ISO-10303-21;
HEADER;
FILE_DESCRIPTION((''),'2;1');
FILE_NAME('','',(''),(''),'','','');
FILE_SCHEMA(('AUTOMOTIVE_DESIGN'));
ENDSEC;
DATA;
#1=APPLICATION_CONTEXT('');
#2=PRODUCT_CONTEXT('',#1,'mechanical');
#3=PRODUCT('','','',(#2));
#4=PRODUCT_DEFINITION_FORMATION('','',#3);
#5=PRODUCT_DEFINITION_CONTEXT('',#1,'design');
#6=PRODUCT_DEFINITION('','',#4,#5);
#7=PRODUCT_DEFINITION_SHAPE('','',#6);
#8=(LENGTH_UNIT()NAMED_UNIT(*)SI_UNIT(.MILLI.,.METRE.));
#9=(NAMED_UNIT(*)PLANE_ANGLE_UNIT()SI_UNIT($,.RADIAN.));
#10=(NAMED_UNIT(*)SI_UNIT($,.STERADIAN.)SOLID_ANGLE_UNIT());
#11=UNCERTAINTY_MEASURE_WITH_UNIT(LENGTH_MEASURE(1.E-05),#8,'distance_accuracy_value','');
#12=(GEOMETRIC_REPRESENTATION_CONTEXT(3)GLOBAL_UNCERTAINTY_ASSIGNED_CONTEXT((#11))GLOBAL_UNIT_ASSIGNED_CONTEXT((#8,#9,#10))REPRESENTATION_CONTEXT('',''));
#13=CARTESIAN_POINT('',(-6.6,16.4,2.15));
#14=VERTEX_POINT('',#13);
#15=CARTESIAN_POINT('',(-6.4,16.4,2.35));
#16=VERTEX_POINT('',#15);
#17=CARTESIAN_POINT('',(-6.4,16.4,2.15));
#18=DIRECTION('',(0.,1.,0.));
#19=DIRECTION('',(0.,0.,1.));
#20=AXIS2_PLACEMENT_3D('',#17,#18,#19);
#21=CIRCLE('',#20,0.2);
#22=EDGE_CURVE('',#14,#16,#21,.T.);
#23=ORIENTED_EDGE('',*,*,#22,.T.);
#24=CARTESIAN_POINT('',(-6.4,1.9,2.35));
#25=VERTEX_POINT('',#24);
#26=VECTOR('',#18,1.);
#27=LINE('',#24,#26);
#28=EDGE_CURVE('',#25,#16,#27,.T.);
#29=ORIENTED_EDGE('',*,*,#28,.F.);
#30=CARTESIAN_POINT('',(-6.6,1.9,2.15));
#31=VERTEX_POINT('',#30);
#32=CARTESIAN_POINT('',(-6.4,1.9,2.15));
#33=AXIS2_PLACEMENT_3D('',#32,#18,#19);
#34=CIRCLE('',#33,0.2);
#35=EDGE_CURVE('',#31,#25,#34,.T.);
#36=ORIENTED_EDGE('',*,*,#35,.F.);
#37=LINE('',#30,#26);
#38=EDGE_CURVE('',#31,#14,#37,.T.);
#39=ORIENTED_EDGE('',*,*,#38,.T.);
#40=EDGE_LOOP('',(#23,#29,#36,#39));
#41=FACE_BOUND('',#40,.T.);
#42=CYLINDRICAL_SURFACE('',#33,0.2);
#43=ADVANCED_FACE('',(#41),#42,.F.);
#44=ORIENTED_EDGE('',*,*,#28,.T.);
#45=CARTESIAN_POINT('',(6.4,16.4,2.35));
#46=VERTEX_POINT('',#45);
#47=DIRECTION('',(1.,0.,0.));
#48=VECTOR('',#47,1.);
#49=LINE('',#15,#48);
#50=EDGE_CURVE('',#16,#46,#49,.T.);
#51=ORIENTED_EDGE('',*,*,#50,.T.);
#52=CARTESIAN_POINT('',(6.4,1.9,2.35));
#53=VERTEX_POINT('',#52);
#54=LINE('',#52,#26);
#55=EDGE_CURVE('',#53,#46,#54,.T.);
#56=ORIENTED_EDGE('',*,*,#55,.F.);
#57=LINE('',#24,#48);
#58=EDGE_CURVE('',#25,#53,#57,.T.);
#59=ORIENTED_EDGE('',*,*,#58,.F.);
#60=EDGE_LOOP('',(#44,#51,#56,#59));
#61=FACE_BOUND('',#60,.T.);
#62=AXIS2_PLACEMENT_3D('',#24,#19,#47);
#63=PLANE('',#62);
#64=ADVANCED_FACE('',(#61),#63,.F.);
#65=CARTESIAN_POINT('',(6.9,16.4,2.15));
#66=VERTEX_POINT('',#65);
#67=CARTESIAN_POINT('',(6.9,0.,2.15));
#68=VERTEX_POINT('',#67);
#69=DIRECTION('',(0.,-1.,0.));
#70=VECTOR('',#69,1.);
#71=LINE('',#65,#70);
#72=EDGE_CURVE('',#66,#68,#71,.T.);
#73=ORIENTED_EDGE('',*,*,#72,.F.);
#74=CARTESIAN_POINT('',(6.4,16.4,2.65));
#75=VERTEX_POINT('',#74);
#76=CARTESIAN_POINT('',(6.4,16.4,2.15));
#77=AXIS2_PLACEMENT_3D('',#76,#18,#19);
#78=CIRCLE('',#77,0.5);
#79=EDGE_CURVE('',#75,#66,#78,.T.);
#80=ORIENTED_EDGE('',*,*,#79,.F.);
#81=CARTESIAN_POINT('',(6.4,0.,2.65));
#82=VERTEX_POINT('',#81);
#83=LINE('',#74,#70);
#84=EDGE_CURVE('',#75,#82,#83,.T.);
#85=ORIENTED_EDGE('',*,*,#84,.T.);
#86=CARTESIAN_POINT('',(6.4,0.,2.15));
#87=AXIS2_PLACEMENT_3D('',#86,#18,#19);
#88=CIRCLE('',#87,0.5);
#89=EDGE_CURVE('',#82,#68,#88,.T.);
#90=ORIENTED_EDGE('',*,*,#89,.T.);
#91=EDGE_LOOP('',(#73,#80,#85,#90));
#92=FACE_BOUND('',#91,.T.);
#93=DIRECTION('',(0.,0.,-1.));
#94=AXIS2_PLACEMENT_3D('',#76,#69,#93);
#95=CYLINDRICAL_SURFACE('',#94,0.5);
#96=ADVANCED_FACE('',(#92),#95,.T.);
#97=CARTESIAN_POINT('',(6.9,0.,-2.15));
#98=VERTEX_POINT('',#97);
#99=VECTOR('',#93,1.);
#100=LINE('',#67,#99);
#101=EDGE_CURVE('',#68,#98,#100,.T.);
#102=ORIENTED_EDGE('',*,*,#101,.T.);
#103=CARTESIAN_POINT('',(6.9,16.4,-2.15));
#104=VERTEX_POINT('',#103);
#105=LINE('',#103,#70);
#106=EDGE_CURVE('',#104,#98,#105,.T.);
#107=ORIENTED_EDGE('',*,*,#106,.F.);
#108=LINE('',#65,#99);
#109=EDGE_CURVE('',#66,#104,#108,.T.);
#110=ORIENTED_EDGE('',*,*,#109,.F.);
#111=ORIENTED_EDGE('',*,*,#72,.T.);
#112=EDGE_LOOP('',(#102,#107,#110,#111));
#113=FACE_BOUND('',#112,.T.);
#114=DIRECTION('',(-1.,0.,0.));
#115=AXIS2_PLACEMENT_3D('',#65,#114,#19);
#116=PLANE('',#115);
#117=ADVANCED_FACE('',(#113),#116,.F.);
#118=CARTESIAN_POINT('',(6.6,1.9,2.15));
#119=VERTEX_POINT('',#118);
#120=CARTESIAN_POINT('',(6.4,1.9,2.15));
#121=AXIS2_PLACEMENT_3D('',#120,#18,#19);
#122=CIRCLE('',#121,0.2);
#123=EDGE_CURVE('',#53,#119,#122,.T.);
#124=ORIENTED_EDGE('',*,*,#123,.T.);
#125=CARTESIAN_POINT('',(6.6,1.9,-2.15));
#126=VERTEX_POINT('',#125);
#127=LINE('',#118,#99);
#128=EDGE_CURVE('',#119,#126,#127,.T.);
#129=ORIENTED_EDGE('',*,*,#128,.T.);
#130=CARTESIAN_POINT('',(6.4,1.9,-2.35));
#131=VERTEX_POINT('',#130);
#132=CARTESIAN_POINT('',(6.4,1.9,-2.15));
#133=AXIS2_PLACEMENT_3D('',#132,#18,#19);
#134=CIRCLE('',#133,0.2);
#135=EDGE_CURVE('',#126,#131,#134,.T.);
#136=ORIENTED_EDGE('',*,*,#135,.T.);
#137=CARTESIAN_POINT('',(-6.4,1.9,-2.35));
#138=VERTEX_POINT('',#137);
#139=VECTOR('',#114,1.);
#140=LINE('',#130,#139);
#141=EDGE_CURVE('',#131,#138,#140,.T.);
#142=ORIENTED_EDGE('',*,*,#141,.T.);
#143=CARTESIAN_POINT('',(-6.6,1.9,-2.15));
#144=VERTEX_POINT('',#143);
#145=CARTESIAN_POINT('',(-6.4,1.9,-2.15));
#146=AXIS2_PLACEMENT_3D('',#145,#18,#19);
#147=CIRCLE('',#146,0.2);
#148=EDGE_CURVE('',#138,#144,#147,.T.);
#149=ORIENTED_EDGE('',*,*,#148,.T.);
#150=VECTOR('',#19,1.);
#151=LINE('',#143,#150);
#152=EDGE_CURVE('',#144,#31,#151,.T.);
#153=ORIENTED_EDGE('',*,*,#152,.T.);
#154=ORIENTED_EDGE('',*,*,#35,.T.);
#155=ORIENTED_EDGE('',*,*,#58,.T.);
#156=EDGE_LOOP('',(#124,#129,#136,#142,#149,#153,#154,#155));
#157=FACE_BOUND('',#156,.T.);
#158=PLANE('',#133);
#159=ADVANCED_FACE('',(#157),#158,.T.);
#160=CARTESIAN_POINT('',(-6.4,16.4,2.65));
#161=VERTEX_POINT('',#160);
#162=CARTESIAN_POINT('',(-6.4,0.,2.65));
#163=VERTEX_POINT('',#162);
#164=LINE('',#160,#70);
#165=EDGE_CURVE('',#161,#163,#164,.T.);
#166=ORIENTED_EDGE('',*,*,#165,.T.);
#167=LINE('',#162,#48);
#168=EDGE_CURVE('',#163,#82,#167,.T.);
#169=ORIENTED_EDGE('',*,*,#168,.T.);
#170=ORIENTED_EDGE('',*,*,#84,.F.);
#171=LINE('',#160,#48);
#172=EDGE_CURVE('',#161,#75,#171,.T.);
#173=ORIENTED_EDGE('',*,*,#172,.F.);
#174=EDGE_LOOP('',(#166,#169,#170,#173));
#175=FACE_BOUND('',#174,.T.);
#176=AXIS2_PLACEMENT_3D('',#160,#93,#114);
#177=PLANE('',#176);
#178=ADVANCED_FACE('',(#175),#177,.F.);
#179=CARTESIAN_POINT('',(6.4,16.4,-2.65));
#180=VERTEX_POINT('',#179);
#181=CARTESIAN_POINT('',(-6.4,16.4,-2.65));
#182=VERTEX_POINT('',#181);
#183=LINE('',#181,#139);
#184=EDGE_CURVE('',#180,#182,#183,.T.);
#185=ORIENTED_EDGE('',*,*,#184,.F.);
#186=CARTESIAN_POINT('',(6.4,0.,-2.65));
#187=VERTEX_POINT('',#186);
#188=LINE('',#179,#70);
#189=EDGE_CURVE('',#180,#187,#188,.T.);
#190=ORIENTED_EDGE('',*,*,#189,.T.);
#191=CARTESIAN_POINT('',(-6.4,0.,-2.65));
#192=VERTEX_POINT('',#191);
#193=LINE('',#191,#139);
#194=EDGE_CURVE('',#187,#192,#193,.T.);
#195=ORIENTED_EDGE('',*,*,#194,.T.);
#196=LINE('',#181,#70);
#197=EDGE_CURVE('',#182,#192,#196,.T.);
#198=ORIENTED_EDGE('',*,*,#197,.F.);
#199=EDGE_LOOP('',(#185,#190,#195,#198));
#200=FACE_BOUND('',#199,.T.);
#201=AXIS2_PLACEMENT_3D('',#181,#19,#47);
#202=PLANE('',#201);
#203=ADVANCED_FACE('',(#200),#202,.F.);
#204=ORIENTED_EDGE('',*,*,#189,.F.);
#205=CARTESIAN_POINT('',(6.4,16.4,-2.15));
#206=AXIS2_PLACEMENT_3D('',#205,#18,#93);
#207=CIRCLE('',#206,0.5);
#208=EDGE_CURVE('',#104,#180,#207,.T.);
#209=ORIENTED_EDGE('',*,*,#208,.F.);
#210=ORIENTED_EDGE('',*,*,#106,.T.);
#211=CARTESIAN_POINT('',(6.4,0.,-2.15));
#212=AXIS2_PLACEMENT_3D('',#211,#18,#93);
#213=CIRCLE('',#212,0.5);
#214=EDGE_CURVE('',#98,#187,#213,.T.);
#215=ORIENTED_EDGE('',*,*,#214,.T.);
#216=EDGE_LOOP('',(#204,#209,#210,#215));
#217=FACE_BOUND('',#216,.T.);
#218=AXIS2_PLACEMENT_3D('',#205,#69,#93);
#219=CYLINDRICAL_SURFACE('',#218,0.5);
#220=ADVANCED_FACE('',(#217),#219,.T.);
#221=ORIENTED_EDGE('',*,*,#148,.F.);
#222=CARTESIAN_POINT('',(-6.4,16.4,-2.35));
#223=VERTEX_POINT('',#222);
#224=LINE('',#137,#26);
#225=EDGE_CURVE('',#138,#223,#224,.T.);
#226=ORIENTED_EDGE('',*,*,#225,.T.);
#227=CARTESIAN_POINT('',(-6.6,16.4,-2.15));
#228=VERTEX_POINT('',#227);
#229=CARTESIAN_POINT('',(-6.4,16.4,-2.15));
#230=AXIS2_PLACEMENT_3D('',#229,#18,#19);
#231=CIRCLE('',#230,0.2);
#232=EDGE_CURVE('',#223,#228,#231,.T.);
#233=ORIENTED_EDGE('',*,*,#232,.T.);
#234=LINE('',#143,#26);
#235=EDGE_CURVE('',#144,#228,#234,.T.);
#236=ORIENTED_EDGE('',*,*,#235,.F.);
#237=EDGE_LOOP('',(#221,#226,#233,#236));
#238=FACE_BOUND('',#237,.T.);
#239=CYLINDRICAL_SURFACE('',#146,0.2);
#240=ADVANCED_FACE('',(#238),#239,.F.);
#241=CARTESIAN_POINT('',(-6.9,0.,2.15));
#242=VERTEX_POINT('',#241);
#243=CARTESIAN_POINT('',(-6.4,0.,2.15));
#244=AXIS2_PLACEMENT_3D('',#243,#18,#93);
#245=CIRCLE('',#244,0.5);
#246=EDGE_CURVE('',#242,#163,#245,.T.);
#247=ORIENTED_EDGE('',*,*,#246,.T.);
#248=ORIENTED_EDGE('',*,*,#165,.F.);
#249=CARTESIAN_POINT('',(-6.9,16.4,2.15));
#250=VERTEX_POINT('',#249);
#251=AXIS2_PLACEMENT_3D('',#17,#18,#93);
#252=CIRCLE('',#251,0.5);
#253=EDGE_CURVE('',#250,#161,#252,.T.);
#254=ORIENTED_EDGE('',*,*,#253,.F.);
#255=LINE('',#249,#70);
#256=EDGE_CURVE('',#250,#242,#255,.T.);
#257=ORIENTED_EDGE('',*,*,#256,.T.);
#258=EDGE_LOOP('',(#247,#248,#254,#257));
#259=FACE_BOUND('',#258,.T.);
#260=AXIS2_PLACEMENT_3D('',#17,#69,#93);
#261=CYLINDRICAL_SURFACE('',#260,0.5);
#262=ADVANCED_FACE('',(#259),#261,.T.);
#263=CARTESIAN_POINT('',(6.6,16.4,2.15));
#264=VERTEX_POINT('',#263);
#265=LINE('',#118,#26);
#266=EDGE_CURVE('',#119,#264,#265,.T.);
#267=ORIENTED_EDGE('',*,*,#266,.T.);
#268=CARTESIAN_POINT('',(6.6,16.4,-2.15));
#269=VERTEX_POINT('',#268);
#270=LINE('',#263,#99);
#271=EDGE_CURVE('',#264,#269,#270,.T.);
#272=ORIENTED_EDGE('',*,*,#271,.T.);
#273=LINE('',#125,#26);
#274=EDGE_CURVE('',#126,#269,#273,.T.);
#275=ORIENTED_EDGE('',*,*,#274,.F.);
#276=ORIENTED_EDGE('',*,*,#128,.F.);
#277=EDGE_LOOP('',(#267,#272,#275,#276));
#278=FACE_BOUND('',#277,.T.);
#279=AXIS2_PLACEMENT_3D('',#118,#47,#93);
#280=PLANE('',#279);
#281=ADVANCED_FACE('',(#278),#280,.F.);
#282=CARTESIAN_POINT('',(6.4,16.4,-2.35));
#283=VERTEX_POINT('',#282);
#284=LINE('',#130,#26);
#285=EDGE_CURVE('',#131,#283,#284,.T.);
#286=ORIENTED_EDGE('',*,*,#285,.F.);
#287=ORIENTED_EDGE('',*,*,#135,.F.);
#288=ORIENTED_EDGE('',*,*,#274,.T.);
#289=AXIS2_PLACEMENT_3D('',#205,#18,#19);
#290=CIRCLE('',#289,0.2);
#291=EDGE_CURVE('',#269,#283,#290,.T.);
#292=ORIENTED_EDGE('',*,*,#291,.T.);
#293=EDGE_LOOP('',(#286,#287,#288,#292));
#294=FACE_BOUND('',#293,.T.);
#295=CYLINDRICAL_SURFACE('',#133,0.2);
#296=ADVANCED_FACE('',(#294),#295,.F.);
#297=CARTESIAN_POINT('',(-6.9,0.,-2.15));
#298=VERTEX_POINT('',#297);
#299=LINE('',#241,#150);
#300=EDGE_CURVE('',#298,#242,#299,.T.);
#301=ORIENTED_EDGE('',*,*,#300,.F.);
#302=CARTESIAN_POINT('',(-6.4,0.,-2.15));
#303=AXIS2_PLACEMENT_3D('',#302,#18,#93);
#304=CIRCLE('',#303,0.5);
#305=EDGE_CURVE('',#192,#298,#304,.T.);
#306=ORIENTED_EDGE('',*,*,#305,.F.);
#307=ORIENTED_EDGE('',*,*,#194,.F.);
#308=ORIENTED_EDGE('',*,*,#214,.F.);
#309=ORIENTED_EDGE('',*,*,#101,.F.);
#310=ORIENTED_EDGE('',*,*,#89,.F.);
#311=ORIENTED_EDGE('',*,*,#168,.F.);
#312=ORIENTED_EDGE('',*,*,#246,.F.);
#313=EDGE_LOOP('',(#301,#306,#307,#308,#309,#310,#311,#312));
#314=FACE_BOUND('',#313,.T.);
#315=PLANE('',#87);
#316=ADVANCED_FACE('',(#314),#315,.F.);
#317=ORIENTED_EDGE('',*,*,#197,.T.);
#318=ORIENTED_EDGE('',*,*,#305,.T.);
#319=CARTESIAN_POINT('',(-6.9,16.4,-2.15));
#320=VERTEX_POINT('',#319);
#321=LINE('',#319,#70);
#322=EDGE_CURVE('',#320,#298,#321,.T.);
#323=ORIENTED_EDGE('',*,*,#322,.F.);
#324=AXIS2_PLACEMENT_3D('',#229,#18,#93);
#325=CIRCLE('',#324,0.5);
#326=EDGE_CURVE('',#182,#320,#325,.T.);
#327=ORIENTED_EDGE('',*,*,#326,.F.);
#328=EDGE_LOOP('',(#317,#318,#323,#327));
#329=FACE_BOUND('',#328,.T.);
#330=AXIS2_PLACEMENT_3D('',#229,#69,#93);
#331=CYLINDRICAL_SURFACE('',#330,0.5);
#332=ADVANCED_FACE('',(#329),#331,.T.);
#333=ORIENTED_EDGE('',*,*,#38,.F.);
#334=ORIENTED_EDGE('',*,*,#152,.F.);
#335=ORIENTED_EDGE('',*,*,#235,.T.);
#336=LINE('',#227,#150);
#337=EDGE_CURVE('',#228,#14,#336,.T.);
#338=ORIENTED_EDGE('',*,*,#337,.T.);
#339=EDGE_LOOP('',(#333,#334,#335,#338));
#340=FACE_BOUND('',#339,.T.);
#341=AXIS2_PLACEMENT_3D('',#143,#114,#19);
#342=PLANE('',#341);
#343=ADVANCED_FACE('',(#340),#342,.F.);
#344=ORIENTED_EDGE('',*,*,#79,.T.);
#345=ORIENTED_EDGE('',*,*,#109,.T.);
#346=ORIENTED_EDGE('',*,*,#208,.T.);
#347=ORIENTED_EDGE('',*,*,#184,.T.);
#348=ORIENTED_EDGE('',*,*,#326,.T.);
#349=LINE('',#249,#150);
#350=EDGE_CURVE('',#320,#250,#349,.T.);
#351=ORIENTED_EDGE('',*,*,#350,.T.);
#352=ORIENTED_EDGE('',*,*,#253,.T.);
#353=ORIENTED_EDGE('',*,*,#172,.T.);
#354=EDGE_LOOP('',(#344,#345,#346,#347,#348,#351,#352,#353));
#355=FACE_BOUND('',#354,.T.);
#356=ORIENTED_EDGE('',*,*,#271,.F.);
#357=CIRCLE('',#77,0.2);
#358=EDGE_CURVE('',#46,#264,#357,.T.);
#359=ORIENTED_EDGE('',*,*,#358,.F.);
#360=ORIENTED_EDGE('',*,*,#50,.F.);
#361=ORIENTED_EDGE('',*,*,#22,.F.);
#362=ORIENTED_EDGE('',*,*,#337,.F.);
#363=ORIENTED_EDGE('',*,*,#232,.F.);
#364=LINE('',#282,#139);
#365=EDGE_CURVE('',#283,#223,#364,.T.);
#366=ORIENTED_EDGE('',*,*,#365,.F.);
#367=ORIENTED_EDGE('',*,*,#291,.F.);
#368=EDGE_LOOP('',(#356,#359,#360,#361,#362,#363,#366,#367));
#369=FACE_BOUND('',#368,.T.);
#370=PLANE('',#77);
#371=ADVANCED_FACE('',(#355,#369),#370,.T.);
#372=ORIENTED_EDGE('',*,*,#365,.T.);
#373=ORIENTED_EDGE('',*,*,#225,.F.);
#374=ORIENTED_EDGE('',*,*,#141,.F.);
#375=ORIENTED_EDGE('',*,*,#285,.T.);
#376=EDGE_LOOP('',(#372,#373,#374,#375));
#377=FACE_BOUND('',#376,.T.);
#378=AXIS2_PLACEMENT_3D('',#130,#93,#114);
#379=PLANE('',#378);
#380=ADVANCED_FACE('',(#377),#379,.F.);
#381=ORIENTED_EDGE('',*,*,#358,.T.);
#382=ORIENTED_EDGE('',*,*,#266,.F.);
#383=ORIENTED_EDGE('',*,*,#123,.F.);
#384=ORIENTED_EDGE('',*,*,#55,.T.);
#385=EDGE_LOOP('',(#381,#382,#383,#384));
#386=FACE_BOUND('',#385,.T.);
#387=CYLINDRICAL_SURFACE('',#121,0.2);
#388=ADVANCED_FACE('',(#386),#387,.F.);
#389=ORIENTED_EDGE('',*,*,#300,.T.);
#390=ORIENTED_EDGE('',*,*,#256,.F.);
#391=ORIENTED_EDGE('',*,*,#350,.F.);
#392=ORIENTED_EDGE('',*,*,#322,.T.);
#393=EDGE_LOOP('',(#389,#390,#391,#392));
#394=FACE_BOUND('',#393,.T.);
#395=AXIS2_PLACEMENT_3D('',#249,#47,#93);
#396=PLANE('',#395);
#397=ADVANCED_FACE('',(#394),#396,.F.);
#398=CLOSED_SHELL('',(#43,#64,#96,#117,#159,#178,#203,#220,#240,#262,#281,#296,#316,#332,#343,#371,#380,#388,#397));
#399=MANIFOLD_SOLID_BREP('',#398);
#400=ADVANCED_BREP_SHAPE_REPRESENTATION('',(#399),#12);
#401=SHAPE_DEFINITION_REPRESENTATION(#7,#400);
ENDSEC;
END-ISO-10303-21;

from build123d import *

# Parameters (mm, degrees)
BOSS_EXTRUDE1_DEPTH = 16.4
CUT_EXTRUDE1_DEPTH  = 14.5


with BuildPart() as part:
    # Sketch1 → Boss-Extrude1 (new body)
    with BuildSketch(Plane(origin=(0, 0, 0), x_dir=(1, 0, 0), z_dir=(0, 1, 0))):
        with BuildLine():
            Line((-6.4, -2.65), (6.4, -2.65))
            ThreePointArc((6.4, -2.65), (6.753553391, -2.503553391), (6.9, -2.15))
            Line((6.9, -2.15), (6.9, 2.15))
            ThreePointArc((6.9, 2.15), (6.753553391, 2.503553391), (6.4, 2.65))
            Line((6.4, 2.65), (-6.4, 2.65))
            ThreePointArc((-6.4, 2.65), (-6.753553391, 2.503553391), (-6.9, 2.15))
            Line((-6.9, 2.15), (-6.9, -2.15))
            ThreePointArc((-6.9, -2.15), (-6.753553391, -2.503553391), (-6.4, -2.65))
        make_face()
    extrude(amount=BOSS_EXTRUDE1_DEPTH)

    # Sketch2 → Cut-Extrude1 (cut)
    with BuildSketch(Plane(origin=(0, 16.4, 0), x_dir=(1, 0, 0), z_dir=(0, 1, 0))):
        with BuildLine():
            Line((6.4, 2.35), (-6.4, 2.35))
            ThreePointArc((-6.4, 2.35), (-6.541421356, 2.291421356), (-6.6, 2.15))
            Line((-6.6, 2.15), (-6.6, -2.15))
            ThreePointArc((-6.6, -2.15), (-6.541421356, -2.291421356), (-6.4, -2.35))
            Line((-6.4, -2.35), (6.4, -2.35))
            ThreePointArc((6.4, -2.35), (6.541421356, -2.291421356), (6.6, -2.15))
            Line((6.6, -2.15), (6.6, 2.15))
            ThreePointArc((6.6, 2.15), (6.541421356, 2.291421356), (6.4, 2.35))
        make_face()
    extrude(amount=-CUT_EXTRUDE1_DEPTH, mode=Mode.SUBTRACT)


solid = part.part
